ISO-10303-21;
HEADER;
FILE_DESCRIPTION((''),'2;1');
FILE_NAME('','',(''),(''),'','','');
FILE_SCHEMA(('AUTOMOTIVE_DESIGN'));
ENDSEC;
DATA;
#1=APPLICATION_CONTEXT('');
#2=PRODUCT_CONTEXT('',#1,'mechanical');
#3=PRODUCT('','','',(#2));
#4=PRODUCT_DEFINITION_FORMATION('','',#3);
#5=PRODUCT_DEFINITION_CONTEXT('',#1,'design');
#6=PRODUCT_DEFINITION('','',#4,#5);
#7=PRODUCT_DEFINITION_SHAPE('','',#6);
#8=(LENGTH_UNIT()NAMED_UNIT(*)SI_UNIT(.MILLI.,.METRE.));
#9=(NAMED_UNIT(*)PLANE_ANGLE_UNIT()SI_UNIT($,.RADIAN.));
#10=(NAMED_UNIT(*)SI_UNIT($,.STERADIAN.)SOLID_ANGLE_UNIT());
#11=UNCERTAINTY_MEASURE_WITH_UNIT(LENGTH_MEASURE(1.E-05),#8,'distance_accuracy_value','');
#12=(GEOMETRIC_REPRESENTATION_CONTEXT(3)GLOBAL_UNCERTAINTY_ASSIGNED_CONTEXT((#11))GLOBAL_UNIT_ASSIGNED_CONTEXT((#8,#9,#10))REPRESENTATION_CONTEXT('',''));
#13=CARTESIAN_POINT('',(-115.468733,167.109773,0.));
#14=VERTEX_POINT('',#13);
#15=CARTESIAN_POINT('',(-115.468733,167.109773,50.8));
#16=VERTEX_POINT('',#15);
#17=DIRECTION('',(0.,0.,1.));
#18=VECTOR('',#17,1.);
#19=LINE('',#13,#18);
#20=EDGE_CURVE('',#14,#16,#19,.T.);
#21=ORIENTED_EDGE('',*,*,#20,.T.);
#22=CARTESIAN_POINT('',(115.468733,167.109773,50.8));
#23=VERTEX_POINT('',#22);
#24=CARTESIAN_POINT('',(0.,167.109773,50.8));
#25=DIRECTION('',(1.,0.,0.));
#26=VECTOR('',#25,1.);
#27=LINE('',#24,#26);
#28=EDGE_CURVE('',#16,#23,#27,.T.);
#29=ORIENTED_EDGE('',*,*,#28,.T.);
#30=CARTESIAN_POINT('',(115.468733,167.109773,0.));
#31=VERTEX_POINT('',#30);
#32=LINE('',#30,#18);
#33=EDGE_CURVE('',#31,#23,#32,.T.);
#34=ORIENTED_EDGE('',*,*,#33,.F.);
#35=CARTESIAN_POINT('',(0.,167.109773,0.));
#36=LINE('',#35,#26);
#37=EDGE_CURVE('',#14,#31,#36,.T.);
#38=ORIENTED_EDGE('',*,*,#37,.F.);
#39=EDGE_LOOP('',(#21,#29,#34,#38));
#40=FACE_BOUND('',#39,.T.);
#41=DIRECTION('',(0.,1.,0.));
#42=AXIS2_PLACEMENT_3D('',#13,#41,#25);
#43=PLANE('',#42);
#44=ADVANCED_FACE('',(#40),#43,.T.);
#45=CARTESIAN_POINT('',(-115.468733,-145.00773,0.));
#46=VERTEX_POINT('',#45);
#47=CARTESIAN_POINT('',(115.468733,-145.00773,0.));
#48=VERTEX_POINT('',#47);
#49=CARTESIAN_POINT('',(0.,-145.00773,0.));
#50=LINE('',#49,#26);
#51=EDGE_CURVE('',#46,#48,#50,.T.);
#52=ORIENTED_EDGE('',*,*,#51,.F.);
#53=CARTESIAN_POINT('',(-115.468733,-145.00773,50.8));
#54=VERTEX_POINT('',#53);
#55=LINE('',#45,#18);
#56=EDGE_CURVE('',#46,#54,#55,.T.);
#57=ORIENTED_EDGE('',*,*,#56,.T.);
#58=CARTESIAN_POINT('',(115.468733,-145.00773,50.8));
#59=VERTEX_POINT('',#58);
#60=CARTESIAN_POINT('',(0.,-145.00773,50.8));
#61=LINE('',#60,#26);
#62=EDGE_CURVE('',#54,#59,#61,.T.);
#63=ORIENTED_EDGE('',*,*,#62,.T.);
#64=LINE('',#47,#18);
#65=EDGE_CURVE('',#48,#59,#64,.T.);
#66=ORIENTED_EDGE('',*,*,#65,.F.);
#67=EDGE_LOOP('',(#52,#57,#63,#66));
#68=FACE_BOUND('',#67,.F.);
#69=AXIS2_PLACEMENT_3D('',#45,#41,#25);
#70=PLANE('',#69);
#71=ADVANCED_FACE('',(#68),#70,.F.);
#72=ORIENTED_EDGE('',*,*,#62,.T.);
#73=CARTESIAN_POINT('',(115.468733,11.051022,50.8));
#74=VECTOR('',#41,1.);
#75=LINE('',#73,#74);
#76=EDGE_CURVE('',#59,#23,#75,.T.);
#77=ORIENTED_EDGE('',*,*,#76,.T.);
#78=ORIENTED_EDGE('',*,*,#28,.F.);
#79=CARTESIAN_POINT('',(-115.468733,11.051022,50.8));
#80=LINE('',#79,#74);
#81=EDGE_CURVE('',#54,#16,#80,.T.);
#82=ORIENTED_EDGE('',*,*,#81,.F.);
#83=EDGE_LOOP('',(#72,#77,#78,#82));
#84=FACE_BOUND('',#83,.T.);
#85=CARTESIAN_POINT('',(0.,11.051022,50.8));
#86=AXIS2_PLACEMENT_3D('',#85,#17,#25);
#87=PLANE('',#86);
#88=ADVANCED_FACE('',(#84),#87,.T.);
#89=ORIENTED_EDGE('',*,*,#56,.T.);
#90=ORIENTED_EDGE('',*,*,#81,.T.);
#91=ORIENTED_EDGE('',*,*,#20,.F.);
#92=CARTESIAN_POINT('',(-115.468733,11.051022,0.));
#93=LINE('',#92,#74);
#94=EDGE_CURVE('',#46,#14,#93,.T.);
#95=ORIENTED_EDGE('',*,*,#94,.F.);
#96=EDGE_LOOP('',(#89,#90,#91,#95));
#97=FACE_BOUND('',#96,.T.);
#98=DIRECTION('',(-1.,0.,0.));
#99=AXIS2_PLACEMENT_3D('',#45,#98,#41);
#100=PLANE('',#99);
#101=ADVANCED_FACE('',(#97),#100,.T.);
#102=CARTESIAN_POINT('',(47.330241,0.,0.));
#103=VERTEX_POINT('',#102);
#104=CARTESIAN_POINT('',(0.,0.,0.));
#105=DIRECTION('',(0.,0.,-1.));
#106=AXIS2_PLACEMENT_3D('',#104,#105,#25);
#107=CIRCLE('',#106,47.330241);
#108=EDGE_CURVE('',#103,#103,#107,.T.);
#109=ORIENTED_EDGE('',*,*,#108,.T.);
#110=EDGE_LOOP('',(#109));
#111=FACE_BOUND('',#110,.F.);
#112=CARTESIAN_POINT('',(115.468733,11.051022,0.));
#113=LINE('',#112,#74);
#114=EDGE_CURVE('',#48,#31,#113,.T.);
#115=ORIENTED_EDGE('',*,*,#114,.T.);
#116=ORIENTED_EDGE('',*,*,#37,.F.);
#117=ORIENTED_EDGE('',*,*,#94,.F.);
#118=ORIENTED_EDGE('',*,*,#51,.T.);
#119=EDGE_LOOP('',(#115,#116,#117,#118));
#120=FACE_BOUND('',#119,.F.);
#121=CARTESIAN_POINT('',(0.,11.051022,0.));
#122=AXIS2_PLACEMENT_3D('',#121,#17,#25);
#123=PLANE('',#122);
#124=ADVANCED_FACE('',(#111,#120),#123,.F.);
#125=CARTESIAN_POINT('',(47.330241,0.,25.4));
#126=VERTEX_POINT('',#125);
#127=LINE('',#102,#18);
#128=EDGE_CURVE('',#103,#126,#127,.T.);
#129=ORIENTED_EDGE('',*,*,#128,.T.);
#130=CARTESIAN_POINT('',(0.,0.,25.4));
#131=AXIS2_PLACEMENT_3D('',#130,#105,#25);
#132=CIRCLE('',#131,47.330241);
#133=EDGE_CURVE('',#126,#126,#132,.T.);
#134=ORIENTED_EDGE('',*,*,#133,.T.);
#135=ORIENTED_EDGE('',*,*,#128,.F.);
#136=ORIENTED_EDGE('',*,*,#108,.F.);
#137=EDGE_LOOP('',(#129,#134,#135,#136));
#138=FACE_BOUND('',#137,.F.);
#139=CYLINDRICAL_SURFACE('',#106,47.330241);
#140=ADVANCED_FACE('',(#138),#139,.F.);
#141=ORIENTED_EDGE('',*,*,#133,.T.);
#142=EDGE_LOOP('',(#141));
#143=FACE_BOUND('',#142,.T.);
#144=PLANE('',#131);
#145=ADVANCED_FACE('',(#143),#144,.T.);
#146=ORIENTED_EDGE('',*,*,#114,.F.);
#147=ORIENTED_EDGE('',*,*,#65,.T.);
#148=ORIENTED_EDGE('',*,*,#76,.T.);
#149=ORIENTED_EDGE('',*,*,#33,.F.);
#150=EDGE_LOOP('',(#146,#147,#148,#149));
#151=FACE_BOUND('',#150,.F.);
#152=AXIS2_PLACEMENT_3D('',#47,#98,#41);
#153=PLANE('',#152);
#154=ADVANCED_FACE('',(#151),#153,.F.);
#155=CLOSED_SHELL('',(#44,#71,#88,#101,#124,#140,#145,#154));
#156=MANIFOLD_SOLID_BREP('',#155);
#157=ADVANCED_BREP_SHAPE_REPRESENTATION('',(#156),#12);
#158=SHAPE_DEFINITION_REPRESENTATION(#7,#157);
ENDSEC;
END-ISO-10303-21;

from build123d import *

# Parameters (mm, degrees)
F0_W     = 230.937466
F0_H     = 312.117503
F1_DEPTH = 50.8
F2_R     = 47.330241
F3_DEPTH = 25.4


with BuildPart() as f1:
    # F0 (on Top) → F1 (new body)
    with BuildSketch(Plane.XY):
        with Locations((0, 11.051022)):
            Rectangle(F0_W, F0_H)
    extrude(amount=F1_DEPTH)

    # F2 (on face) → F3 (cut)
    with BuildSketch(Plane(origin=(0, 0, 0), x_dir=(1, 0, 0), z_dir=(0, 0, -1))):
        Circle(F2_R)
    extrude(amount=-F3_DEPTH, mode=Mode.SUBTRACT)


solid = f1.part
